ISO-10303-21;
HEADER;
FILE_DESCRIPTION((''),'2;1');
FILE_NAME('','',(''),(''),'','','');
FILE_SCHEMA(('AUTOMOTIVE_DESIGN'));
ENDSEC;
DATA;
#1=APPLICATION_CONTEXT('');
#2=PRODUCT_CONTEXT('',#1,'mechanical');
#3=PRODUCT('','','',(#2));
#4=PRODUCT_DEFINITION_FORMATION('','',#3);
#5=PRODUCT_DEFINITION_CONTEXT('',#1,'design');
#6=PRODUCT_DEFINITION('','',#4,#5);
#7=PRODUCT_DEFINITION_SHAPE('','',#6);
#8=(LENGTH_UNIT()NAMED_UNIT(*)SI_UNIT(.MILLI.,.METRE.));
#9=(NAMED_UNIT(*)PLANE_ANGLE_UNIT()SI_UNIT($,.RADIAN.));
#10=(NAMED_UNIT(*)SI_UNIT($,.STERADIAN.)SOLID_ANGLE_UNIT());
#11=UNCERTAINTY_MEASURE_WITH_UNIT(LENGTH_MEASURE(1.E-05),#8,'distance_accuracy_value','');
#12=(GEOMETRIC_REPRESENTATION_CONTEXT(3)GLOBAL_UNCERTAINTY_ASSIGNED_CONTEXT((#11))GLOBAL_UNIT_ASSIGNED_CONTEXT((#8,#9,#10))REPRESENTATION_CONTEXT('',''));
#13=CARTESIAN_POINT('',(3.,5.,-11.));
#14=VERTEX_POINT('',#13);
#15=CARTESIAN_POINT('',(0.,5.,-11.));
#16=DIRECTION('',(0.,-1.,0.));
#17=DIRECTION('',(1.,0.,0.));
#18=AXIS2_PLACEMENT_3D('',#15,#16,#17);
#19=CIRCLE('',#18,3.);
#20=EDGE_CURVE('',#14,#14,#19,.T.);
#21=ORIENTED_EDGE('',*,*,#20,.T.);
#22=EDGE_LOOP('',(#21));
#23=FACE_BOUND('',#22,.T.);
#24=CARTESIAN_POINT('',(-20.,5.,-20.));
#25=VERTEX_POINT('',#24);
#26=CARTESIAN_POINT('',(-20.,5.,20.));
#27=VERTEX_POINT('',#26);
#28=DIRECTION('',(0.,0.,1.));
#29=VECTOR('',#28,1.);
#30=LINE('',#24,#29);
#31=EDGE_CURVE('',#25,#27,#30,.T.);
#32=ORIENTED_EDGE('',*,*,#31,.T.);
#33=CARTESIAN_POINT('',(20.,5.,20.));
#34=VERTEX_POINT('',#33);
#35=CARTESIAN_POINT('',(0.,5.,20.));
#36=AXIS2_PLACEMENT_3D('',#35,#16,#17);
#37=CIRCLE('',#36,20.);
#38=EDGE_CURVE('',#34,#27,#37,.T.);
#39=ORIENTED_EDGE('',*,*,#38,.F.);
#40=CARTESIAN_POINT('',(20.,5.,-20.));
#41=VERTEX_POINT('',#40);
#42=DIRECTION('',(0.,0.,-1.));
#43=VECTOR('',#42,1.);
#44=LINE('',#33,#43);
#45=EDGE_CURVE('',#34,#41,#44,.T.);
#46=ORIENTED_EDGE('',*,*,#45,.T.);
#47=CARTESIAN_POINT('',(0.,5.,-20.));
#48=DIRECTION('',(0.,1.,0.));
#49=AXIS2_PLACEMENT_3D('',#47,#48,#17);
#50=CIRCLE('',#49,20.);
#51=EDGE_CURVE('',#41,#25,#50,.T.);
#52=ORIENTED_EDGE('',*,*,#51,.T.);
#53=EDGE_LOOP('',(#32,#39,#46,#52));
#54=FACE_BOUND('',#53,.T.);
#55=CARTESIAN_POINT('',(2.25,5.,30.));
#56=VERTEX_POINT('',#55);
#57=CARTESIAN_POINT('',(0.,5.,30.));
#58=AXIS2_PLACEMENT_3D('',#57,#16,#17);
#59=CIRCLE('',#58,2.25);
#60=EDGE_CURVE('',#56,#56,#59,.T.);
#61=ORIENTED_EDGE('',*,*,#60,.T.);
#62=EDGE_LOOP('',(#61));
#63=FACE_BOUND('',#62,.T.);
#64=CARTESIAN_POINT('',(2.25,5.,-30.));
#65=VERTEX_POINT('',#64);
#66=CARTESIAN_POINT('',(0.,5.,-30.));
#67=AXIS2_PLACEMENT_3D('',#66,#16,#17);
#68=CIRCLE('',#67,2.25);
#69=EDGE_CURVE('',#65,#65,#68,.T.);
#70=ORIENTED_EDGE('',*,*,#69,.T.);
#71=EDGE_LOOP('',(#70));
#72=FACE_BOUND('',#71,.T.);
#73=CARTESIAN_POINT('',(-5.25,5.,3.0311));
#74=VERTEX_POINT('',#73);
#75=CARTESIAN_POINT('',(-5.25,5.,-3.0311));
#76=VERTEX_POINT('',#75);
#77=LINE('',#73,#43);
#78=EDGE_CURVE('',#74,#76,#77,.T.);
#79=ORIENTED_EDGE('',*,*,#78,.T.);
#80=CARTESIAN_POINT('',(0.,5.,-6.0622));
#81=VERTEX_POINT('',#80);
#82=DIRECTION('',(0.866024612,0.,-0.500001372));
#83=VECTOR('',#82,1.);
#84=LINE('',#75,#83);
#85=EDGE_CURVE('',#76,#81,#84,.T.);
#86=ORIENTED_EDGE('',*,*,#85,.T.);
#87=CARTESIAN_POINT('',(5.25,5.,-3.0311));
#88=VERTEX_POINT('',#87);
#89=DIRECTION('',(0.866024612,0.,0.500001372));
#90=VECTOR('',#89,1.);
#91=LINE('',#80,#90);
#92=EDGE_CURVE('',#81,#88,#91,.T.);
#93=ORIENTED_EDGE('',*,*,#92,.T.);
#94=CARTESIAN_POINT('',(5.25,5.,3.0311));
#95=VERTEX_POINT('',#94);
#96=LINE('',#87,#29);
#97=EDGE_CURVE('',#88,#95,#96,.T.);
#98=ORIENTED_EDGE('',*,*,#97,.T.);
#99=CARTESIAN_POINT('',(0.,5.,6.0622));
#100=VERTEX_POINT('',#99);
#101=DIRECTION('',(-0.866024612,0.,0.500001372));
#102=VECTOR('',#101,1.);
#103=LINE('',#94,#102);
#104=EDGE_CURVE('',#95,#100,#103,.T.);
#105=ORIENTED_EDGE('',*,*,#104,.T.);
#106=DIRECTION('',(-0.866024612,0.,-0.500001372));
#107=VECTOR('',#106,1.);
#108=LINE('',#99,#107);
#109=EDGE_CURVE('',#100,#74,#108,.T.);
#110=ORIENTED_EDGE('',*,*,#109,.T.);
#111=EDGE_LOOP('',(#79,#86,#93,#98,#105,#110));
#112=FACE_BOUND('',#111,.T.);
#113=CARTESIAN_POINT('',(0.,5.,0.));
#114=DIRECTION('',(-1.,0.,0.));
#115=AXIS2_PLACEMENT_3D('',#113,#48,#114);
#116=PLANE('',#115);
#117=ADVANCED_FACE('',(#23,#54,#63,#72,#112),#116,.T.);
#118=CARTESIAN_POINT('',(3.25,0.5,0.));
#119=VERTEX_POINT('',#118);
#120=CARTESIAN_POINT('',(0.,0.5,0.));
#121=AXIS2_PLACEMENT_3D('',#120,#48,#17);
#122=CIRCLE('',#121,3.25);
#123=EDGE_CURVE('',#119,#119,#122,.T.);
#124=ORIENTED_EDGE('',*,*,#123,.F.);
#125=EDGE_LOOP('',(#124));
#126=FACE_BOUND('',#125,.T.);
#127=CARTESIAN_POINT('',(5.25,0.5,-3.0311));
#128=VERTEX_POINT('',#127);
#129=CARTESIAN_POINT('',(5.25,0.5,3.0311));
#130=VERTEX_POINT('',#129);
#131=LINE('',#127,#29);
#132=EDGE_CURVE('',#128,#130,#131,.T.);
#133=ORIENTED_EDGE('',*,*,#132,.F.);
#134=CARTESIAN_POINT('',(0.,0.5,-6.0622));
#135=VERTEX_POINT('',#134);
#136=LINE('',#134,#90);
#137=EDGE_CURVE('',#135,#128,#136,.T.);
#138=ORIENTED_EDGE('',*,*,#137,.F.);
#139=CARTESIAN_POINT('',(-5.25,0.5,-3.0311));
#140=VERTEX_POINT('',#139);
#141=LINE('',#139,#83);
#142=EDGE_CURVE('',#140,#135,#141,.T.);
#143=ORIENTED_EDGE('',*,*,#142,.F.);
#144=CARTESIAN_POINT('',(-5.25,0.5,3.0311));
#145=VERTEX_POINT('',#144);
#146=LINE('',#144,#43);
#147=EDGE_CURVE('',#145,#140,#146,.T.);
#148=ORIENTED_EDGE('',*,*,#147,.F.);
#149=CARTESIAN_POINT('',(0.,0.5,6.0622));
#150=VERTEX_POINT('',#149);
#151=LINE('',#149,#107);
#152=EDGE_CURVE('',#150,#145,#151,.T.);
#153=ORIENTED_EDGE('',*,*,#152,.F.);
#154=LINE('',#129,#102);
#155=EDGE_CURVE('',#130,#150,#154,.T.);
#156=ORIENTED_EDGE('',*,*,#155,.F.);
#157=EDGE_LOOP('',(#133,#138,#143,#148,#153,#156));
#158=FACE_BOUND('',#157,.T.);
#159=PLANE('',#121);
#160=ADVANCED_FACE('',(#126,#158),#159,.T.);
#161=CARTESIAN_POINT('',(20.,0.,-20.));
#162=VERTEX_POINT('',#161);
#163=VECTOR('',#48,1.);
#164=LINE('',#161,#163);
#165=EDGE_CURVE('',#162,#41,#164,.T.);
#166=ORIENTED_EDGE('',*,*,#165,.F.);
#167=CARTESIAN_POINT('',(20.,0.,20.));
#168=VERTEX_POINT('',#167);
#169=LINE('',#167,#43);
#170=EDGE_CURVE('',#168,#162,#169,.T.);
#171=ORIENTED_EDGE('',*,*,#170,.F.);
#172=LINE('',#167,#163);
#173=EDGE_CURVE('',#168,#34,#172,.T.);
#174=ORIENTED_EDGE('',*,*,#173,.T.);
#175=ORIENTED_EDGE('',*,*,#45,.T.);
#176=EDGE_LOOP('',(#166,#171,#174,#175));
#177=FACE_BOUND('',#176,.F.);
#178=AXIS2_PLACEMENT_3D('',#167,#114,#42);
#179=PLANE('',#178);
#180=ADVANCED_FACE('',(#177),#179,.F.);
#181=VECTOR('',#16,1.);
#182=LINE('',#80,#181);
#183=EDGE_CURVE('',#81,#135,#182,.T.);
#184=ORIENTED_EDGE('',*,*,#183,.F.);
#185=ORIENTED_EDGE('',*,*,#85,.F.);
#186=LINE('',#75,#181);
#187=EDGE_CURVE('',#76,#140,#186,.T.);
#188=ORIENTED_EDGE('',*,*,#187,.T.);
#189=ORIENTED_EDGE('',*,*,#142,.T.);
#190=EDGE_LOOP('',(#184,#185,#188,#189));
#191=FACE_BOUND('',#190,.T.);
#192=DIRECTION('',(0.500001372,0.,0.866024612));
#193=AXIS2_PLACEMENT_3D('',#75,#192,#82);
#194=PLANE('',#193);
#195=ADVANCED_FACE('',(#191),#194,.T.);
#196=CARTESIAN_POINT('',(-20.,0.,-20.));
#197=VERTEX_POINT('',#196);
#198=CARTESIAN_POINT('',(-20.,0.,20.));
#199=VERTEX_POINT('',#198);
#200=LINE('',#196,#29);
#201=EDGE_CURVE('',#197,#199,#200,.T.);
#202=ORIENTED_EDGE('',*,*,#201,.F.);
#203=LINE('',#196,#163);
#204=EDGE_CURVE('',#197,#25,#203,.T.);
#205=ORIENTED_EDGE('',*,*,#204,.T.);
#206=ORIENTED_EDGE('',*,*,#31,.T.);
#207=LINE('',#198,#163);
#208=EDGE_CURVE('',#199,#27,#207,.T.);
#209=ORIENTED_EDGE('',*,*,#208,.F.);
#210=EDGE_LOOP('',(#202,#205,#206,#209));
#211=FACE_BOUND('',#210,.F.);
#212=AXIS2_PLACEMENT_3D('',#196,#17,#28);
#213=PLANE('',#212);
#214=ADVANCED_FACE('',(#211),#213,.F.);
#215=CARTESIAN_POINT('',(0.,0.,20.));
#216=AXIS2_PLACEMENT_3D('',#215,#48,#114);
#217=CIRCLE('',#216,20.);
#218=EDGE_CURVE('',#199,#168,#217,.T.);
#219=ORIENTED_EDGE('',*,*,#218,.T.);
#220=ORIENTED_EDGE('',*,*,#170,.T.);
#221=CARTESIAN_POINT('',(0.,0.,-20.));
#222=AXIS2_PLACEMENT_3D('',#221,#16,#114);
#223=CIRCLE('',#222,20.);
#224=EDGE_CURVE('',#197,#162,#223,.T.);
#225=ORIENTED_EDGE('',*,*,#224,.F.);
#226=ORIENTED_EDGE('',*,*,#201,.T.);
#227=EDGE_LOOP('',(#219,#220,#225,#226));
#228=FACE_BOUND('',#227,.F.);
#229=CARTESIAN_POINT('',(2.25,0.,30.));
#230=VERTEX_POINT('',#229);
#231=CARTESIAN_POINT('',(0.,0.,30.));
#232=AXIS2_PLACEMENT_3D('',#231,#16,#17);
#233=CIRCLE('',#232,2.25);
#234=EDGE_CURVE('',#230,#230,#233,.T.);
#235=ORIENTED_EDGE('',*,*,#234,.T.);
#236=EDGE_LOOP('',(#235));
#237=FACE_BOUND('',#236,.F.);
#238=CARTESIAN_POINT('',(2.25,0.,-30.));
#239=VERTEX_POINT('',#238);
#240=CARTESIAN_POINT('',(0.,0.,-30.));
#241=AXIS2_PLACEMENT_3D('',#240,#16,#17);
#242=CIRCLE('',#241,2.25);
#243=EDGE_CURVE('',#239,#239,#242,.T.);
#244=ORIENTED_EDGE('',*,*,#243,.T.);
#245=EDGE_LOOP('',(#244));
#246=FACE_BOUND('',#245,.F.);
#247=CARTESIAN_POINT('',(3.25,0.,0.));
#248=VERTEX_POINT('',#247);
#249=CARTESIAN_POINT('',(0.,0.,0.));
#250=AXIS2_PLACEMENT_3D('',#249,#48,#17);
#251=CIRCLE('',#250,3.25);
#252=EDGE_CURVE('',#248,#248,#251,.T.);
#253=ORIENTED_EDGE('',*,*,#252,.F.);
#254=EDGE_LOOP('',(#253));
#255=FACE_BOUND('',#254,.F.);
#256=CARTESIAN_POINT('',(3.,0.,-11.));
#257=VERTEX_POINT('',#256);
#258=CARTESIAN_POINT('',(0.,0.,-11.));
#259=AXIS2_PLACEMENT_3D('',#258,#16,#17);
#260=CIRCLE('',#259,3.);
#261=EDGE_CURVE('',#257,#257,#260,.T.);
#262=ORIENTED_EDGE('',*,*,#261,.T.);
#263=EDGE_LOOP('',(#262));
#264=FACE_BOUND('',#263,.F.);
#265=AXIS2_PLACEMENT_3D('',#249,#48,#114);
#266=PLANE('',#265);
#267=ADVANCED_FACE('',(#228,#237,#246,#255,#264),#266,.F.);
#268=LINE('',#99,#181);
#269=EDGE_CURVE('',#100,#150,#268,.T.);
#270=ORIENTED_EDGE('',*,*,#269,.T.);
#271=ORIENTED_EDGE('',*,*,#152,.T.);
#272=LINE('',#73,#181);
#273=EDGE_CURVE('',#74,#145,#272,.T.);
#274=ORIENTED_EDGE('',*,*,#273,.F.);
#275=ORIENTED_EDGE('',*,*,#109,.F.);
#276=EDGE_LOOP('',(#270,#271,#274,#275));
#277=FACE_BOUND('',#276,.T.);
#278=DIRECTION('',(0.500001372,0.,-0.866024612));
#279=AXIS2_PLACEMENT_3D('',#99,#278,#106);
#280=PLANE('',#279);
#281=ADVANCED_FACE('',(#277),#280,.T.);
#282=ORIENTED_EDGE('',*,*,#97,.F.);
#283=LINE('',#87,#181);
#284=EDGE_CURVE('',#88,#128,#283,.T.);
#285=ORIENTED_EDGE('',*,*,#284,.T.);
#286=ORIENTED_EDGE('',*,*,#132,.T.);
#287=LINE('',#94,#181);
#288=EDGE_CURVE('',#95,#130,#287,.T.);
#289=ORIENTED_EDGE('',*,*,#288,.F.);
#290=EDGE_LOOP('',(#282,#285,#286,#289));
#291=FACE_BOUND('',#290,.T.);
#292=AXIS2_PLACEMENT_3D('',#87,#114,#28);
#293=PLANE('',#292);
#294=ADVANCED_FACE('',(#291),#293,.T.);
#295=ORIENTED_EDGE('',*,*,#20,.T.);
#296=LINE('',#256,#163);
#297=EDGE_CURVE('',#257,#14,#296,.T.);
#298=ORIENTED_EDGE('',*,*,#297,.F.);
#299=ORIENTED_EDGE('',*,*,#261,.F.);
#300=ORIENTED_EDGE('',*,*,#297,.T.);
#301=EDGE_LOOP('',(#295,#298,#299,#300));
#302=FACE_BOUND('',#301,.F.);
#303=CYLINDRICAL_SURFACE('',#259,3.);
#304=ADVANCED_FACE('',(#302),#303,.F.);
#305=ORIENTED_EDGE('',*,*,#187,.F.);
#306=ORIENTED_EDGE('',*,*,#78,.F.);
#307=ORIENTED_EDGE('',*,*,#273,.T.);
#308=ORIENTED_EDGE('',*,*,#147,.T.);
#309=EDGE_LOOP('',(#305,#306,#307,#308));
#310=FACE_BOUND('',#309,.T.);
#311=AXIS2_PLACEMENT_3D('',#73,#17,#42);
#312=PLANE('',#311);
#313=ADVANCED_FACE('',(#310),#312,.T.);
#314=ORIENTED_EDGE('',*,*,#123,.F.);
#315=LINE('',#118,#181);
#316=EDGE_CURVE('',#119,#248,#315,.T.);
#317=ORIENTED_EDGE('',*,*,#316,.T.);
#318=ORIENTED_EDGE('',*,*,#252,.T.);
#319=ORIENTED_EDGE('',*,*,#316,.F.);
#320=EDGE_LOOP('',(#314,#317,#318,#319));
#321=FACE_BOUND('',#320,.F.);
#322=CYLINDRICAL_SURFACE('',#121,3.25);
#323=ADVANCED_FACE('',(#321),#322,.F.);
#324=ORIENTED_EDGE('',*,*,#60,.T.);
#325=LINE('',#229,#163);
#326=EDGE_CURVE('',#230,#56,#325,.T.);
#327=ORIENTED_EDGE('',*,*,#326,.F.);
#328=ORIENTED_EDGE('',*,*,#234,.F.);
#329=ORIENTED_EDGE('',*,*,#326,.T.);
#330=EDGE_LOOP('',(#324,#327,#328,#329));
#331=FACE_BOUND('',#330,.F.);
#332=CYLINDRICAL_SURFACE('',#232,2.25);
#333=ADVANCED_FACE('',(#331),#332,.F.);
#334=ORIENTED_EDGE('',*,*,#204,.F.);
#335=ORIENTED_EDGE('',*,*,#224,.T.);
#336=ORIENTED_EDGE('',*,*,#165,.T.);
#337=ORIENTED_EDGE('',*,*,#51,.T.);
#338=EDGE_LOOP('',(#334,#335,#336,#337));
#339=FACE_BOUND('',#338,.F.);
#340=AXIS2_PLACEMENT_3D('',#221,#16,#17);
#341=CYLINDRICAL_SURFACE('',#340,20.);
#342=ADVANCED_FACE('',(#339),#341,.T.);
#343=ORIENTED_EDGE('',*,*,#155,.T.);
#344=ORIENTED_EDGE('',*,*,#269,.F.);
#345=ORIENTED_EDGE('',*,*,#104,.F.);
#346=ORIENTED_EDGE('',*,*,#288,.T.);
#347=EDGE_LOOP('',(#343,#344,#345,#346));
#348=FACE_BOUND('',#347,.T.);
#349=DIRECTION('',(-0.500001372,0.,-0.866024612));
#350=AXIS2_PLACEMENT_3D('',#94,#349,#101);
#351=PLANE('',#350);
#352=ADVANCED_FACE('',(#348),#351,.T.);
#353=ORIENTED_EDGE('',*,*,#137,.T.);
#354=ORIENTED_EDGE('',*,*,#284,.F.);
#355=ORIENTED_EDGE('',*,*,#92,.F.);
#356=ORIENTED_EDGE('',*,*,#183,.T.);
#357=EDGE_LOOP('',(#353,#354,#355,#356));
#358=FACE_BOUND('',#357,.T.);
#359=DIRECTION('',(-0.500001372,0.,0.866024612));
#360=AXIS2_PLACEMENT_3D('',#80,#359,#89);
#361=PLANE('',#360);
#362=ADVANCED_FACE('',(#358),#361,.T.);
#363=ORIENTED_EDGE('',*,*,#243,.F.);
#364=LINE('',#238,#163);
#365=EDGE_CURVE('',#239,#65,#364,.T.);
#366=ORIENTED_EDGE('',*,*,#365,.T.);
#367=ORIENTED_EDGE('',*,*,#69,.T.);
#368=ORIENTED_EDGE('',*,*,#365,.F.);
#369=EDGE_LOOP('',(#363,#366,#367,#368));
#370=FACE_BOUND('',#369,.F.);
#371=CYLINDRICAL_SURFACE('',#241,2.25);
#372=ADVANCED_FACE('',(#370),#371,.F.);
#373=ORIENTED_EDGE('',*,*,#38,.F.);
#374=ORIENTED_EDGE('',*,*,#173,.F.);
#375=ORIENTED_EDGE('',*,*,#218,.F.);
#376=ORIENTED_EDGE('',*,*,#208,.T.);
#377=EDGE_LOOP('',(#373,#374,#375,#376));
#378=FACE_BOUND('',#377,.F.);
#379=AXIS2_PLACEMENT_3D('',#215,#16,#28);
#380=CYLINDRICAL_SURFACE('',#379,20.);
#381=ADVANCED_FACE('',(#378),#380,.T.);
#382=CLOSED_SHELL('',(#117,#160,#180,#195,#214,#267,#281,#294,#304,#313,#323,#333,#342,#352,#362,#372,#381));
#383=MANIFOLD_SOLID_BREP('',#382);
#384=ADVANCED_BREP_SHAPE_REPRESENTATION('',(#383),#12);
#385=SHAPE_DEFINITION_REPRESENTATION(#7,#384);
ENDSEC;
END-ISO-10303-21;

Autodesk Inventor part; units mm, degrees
ref_plane "YZ Plane" through (0, 0, 0) normal (1, 0, 0) x (0, 1, 0)
ref_plane "XZ Plane" through (0, 0, 0) normal (0, 1, 0) x (-1, 0, 0)
ref_plane "XY Plane" through (0, 0, 0) normal (0, 0, 1) x (1, 0, 0)
sketch "Sketch1" plane through (0, 0, 0) normal (0, 1, 0) x (-1, 0, 0)
  line L0 (0, 40) -> (0, 40)
  line L1 (-20, 20) -> (-20, -20)
  line L2 (0, -40) -> (0, -40)
  line L3 (20, -20) -> (20, 20)
  line L4 (20, 40) -> (-20, -40) construction
  line L5 (-20, 40) -> (20, -40) construction
  arc A0 (0, -40) -> (20, -20) centre (0, -20) ccw
  arc A1 (20, 20) -> (0, 40) centre (0, 20) ccw
  arc A2 (0, 40) -> (-20, 20) centre (0, 20) ccw
  arc A3 (-20, -20) -> (0, -40) centre (0, -20) ccw
  point P0 (0, 0)
  dimension "d0" = 40
  dimension "d1" = 80
  dimension "d18" = 20
extrude "Extrusion1" add sketch "Sketch1" along normal blind 5
sketch "Sketch2" plane through (0, 5, 0) normal (0, 1, 0) x (1, 0, 0)
  line L0 (-5.25, 3.0311) -> (0, 6.0622)
  line L1 (0, 6.0622) -> (5.25, 3.0311)
  line L2 (5.25, 3.0311) -> (5.25, -3.0311)
  line L3 (5.25, -3.0311) -> (0, -6.0622)
  line L4 (0, -6.0622) -> (-5.25, -3.0311)
  line L5 (-5.25, -3.0311) -> (-5.25, 3.0311)
  point P0 (0, 0)
  point P1 (0, 0)
  point P2 (5.25, 0)
  point P3 (-5.25, 0)
  dimension "d4" = 10.5
extrude "Extrusion2" cut sketch "Sketch2" against normal blind 4.5
sketch "Sketch3" plane through (0, 0.5, 0) normal (0, 1, 0) x (1, 0, 0)
  circle A0 centre (0, 0) radius 3.25
  dimension "d7" = 6.5
extrude "Extrusion3" cut sketch "Sketch3" against normal through all
sketch "Sketch4" plane through (0, 0, 0) normal (0, -1, 0) x (1, 0, 0)
  circle A0 centre (0, -11) radius 3
  circle A1 centre (0, 30) radius 2.25
  circle A2 centre (0, -30) radius 2.25
  point P0 (0, 0)
  dimension "d10" = 6
  dimension "d11" = 11
  dimension "d12" = 4.5
  dimension "d13" = 4.5
  dimension "d14" = 30
  dimension "d15" = 30
extrude "Extrusion4" cut sketch "Sketch4" against normal through all
properties part number "Tripod mount"
